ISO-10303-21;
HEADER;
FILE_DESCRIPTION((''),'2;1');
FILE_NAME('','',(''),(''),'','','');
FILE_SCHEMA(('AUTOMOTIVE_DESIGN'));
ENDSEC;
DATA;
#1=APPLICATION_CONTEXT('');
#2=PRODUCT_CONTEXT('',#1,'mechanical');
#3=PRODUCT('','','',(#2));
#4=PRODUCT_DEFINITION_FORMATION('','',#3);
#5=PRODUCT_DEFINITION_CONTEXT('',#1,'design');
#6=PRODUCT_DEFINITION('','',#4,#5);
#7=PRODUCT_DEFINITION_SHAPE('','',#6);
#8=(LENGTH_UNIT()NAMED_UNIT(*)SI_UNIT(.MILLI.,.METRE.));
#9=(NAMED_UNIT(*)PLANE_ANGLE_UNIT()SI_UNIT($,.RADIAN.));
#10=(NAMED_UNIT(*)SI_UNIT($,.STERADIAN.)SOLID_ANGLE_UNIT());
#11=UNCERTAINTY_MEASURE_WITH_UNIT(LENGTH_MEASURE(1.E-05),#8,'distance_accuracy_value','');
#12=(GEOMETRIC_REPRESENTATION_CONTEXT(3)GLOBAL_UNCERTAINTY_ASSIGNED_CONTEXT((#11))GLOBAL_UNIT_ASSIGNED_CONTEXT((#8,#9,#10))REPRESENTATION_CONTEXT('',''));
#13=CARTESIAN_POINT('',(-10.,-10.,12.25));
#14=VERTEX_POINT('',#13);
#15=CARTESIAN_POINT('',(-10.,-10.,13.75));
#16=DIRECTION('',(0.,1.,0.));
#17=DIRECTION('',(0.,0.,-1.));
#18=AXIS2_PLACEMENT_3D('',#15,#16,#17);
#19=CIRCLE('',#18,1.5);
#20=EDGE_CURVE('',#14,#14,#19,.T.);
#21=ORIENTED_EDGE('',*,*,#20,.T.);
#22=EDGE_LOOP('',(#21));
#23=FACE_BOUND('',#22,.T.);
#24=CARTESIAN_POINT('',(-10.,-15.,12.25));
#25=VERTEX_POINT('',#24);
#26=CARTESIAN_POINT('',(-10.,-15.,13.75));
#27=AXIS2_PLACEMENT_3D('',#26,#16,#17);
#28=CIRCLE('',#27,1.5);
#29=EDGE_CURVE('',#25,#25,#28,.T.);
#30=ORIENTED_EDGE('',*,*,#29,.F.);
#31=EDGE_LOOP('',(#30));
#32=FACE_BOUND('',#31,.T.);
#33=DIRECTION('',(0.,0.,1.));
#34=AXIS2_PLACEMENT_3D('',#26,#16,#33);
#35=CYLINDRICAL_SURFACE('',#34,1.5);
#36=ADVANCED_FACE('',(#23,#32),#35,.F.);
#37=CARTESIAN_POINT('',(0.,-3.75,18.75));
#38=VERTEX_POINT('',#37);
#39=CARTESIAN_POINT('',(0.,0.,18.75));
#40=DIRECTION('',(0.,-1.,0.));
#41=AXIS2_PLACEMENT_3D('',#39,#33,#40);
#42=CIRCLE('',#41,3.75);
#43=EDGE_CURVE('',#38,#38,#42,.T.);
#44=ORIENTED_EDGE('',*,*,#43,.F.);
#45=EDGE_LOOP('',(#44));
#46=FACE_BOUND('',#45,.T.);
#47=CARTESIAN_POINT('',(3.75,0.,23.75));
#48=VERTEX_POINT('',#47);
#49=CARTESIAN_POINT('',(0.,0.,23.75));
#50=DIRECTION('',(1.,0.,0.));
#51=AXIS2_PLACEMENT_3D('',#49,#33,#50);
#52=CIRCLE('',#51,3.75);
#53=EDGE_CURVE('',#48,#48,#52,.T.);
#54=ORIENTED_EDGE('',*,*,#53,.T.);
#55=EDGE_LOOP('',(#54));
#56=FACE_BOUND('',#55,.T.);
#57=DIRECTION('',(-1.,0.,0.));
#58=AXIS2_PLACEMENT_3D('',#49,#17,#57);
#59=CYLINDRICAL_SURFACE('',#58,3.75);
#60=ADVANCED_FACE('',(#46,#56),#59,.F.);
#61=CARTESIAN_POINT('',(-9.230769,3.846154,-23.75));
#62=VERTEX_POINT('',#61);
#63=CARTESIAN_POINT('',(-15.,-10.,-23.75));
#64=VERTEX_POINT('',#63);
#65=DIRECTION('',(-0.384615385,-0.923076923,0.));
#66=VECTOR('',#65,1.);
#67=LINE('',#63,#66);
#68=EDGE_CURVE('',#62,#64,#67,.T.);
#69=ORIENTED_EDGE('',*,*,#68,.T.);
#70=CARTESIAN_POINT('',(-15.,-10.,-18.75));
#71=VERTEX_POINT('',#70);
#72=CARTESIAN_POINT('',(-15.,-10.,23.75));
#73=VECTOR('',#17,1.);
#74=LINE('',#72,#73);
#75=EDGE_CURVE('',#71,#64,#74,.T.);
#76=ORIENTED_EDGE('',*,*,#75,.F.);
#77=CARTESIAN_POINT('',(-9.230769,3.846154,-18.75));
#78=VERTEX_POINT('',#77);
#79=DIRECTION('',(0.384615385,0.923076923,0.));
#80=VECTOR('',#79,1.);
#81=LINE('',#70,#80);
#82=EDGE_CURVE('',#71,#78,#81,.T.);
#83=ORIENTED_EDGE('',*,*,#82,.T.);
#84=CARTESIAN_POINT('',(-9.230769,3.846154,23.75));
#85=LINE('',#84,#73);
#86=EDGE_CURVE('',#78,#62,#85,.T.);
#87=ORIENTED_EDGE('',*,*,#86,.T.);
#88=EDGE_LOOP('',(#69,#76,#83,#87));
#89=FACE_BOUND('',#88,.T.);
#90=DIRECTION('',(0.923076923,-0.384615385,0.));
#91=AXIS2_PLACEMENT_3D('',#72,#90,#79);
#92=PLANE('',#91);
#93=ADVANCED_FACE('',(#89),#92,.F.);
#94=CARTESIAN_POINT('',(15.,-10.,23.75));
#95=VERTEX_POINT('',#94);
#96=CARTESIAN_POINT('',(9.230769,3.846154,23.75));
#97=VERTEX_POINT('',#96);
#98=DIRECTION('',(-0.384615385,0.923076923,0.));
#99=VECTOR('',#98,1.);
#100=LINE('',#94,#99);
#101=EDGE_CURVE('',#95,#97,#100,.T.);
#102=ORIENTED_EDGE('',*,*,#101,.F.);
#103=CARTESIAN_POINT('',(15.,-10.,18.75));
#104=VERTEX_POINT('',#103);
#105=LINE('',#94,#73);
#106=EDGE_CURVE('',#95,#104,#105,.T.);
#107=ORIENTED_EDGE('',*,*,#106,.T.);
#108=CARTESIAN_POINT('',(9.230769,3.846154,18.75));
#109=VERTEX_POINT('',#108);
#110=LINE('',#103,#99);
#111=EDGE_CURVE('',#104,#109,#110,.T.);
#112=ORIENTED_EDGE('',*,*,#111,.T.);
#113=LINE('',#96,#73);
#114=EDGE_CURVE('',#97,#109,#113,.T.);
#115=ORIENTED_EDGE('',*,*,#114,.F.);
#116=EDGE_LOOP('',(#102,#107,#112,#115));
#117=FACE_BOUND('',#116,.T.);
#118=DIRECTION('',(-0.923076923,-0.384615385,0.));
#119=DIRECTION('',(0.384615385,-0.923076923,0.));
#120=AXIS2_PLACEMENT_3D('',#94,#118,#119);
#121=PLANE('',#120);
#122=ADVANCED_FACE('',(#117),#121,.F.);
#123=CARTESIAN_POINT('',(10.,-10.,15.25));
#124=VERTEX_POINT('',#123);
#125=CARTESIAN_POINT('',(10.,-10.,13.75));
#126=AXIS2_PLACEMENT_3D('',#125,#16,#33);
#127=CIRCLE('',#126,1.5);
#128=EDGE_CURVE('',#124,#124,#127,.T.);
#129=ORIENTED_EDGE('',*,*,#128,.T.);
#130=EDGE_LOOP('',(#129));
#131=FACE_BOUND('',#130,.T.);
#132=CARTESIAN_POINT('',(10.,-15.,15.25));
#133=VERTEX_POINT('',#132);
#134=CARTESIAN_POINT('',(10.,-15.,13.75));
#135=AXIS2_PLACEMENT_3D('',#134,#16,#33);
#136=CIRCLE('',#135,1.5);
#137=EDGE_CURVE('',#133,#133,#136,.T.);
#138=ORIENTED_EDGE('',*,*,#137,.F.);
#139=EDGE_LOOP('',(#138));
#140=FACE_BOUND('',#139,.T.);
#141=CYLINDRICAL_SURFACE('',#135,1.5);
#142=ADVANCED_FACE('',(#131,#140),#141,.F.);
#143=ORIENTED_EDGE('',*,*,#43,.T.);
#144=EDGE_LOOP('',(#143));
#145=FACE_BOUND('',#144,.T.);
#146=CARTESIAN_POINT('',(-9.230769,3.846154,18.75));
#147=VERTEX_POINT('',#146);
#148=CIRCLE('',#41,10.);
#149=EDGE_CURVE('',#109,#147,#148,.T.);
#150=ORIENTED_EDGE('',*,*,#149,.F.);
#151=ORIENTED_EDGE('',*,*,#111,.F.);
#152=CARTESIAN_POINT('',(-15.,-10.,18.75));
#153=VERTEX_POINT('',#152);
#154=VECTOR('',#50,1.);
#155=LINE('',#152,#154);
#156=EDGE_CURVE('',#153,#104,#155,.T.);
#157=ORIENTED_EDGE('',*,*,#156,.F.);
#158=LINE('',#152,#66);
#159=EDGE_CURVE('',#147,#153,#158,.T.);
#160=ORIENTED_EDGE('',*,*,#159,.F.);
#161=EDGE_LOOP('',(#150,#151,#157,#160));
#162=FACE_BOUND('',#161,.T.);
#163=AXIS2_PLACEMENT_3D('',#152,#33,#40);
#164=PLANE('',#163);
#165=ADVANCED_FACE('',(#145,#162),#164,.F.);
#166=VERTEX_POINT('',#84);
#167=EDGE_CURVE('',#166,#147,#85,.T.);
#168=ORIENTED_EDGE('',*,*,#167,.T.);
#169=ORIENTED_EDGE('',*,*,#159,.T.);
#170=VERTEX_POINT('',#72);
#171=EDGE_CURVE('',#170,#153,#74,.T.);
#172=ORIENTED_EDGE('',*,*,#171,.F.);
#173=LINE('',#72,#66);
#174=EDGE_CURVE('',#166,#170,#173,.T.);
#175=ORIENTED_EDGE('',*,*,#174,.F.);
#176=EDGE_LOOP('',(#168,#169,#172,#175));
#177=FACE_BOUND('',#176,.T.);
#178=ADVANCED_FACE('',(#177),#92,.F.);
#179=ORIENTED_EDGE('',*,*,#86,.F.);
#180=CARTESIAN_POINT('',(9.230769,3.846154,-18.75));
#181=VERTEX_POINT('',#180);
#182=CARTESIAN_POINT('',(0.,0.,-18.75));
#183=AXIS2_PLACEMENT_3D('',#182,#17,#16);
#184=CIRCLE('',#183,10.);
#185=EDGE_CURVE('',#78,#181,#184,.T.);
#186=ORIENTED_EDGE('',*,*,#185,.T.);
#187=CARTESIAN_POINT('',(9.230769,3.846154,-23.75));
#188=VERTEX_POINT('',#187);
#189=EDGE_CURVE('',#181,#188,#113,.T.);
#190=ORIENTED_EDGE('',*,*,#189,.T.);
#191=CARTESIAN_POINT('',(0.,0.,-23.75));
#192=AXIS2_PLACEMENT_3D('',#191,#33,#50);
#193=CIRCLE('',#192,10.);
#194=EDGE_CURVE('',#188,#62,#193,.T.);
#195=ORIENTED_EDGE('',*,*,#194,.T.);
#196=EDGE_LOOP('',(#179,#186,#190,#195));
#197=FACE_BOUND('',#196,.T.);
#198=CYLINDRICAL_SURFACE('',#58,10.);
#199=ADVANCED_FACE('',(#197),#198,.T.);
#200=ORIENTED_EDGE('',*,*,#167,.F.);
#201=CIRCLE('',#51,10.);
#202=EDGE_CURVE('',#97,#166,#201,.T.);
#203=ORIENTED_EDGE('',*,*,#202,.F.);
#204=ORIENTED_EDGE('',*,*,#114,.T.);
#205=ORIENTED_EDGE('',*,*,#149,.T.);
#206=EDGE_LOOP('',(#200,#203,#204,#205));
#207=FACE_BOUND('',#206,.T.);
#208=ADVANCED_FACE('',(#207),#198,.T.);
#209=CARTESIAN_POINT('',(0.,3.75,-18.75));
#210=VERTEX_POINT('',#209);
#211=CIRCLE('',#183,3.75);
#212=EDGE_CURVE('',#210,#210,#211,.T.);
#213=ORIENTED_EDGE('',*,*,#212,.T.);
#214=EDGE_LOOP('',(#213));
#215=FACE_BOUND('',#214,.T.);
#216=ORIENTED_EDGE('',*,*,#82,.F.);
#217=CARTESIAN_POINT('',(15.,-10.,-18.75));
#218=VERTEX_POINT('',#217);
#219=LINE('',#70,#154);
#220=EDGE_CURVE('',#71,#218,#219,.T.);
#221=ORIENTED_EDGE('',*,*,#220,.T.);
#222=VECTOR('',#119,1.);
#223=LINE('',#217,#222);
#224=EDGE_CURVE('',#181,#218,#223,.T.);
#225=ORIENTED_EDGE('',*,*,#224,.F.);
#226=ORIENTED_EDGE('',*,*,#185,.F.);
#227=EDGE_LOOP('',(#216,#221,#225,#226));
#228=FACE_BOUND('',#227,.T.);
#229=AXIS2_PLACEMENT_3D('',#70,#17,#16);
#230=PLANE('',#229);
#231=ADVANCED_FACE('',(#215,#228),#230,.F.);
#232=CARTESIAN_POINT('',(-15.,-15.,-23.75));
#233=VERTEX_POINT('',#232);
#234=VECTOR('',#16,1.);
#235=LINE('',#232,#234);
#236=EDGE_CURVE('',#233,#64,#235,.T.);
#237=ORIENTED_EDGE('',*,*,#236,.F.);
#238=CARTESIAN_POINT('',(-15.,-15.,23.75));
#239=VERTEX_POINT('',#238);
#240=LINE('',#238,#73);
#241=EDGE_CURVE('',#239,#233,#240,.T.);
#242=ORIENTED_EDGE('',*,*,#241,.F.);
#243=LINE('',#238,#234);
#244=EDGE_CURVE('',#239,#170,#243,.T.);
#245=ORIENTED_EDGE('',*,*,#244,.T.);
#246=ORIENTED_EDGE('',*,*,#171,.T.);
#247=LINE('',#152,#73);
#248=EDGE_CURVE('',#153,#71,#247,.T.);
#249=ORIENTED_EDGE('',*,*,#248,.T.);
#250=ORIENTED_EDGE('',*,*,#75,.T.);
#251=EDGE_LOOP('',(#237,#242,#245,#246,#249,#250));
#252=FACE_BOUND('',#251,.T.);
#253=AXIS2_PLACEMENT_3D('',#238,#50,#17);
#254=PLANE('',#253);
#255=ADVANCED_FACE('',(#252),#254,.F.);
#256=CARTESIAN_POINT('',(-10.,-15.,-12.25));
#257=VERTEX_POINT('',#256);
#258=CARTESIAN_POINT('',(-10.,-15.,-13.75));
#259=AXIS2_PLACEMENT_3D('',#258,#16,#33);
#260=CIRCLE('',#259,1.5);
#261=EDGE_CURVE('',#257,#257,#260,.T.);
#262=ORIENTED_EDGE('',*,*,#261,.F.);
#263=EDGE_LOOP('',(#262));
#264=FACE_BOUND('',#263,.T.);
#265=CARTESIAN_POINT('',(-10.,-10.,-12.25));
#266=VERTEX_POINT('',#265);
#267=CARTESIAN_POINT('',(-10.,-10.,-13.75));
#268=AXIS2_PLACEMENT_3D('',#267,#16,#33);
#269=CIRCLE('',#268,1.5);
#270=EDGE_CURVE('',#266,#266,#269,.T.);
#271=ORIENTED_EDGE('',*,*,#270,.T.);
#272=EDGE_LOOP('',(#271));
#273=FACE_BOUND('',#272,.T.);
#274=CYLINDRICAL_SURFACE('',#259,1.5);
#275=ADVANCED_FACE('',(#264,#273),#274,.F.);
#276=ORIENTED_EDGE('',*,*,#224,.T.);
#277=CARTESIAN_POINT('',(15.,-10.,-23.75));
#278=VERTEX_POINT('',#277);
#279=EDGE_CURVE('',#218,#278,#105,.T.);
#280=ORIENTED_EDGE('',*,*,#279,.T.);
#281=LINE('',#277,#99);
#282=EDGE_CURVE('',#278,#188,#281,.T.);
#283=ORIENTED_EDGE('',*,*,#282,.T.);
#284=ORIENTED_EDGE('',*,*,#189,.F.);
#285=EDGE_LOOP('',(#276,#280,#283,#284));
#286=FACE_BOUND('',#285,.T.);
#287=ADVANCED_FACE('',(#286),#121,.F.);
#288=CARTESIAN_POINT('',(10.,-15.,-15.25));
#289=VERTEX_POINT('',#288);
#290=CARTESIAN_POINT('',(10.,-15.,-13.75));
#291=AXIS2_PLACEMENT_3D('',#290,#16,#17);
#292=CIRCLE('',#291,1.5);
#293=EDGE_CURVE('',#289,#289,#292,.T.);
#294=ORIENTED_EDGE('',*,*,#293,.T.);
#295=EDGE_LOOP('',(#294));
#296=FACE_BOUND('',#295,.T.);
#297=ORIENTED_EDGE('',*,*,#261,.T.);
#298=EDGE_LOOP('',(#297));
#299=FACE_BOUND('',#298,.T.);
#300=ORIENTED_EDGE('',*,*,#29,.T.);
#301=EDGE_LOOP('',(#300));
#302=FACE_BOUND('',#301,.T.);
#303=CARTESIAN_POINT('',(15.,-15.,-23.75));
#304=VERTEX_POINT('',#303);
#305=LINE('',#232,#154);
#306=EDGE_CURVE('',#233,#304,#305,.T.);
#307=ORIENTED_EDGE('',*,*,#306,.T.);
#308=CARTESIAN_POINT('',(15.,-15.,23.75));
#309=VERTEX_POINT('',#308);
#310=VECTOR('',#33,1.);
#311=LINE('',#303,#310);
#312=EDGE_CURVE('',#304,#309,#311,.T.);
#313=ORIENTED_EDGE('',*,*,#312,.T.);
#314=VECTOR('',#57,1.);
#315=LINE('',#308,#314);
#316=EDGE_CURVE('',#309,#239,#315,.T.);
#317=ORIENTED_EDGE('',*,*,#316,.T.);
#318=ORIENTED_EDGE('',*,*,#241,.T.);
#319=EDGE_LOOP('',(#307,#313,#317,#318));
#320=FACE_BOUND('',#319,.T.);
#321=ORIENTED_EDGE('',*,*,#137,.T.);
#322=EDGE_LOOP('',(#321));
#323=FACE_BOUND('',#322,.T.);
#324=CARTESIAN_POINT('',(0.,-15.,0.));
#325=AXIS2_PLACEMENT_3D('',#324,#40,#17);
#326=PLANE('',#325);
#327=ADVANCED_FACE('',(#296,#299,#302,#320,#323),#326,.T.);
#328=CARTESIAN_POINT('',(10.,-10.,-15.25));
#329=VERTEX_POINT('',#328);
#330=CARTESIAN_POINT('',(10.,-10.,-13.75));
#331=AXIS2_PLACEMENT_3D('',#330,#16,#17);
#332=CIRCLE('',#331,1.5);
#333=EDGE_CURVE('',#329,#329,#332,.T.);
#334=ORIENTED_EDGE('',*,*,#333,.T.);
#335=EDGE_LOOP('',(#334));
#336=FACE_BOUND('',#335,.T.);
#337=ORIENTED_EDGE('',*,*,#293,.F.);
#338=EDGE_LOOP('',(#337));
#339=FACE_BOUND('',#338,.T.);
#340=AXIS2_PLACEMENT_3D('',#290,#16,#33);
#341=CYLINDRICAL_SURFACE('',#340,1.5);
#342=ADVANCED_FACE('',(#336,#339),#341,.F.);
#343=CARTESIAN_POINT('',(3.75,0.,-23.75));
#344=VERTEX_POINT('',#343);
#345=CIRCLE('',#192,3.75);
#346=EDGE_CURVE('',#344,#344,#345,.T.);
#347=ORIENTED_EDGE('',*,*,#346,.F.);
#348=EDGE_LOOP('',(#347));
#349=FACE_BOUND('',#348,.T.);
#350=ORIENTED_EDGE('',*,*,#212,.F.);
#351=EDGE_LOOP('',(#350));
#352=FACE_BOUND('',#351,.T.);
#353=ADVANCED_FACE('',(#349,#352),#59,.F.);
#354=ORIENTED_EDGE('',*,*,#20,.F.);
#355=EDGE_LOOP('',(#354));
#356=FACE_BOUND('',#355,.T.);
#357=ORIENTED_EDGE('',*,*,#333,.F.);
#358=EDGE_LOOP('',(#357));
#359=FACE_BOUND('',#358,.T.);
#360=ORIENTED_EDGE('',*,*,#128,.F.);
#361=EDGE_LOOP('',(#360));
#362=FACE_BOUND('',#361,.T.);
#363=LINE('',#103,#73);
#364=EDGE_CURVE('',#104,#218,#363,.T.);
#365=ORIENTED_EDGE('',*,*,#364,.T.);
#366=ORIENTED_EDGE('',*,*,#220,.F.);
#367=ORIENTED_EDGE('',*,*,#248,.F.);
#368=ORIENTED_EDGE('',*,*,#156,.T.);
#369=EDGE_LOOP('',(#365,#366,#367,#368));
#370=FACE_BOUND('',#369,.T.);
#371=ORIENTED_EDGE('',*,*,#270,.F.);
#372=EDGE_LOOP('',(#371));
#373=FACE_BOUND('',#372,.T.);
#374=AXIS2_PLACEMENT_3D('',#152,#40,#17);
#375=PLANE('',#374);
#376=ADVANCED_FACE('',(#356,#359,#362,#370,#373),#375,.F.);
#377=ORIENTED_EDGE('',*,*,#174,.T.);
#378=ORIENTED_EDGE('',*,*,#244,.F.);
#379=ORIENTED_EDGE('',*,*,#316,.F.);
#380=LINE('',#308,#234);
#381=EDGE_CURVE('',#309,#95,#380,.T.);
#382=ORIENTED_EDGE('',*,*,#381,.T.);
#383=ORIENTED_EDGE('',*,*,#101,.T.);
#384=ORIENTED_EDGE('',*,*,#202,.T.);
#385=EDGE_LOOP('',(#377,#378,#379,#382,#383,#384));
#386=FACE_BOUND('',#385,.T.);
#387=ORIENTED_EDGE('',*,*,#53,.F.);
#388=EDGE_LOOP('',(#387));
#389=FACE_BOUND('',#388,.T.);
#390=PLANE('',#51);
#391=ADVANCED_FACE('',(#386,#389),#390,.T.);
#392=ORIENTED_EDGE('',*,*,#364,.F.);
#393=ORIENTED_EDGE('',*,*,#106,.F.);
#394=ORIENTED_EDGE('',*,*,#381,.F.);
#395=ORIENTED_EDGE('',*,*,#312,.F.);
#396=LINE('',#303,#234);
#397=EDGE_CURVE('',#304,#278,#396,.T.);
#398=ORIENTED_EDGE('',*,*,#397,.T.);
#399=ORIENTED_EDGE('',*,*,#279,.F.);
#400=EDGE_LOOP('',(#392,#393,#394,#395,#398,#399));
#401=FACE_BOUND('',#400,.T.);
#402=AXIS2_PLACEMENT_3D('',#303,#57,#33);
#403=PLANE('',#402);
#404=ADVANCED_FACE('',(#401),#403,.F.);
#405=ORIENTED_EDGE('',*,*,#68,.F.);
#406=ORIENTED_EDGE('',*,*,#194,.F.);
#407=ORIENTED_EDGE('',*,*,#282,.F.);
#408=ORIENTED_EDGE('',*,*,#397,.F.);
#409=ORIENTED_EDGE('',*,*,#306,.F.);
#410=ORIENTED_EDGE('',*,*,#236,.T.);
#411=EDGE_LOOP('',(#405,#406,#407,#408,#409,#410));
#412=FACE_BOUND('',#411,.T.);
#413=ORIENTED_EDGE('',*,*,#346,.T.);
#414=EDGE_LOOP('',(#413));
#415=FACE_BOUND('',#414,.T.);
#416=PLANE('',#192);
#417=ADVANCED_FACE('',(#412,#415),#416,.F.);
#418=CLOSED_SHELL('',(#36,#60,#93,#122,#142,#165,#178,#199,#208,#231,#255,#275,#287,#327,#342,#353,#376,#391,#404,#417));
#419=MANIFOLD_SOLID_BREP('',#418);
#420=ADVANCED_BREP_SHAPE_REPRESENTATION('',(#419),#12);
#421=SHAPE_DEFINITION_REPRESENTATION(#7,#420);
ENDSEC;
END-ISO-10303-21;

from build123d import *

# Parameters (mm, degrees)
SKETCH1_R           = 3.75
BOSS_EXTRUDE1_DEPTH = 23.75
SKETCH2_W           = 30
SKETCH2_H           = 47.5
BOSS_EXTRUDE2_DEPTH = 5
SKETCH3_W           = 37.5
SKETCH3_H           = 21.575563825
CUT_EXTRUDE1_DEPTH  = 30
SKETCH4_R           = 1.5
CUT_EXTRUDE2_DEPTH  = 5


with BuildPart() as part:
    # Sketch1 → Boss-Extrude1 (new body, symmetric)
    with BuildSketch(Plane.XY):
        with BuildLine():
            Line((-15, -10), (15, -10))
            Line((15, -10), (9.230769231, 3.846153846))
            ThreePointArc((9.230769231, 3.846153846), (0, 10), (-9.230769231, 3.846153846))
            Line((-9.230769231, 3.846153846), (-15, -10))
        make_face()
        Circle(SKETCH1_R, mode=Mode.SUBTRACT)
    extrude(amount=BOSS_EXTRUDE1_DEPTH, both=True)

    # Sketch2 → Boss-Extrude2 (add)
    with BuildSketch(Plane.XZ.offset(10)):
        Rectangle(SKETCH2_W, SKETCH2_H)
    extrude(amount=BOSS_EXTRUDE2_DEPTH)

    # Sketch3 → Cut-Extrude1 (cut)
    with BuildSketch(Plane(origin=(15, 0, 0), x_dir=(0, 0, -1), z_dir=(1, 0, 0))):
        with Locations((0, 0.787781913)):
            Rectangle(SKETCH3_W, SKETCH3_H)
    extrude(amount=-CUT_EXTRUDE1_DEPTH, mode=Mode.SUBTRACT)

    # Sketch4 → Cut-Extrude2 (cut)
    with BuildSketch(Plane(origin=(0, -10, 0), x_dir=(1, 0, 0), z_dir=(0, 1, 0))):
        with Locations((-10, 13.75)):
            Circle(SKETCH4_R)
        with Locations((10, -13.75)):
            Circle(SKETCH4_R)
        with Locations((-10, -13.75)):
            Circle(SKETCH4_R)
        with Locations((10, 13.75)):
            Circle(SKETCH4_R)
    extrude(amount=-CUT_EXTRUDE2_DEPTH, mode=Mode.SUBTRACT)


solid = part.part
